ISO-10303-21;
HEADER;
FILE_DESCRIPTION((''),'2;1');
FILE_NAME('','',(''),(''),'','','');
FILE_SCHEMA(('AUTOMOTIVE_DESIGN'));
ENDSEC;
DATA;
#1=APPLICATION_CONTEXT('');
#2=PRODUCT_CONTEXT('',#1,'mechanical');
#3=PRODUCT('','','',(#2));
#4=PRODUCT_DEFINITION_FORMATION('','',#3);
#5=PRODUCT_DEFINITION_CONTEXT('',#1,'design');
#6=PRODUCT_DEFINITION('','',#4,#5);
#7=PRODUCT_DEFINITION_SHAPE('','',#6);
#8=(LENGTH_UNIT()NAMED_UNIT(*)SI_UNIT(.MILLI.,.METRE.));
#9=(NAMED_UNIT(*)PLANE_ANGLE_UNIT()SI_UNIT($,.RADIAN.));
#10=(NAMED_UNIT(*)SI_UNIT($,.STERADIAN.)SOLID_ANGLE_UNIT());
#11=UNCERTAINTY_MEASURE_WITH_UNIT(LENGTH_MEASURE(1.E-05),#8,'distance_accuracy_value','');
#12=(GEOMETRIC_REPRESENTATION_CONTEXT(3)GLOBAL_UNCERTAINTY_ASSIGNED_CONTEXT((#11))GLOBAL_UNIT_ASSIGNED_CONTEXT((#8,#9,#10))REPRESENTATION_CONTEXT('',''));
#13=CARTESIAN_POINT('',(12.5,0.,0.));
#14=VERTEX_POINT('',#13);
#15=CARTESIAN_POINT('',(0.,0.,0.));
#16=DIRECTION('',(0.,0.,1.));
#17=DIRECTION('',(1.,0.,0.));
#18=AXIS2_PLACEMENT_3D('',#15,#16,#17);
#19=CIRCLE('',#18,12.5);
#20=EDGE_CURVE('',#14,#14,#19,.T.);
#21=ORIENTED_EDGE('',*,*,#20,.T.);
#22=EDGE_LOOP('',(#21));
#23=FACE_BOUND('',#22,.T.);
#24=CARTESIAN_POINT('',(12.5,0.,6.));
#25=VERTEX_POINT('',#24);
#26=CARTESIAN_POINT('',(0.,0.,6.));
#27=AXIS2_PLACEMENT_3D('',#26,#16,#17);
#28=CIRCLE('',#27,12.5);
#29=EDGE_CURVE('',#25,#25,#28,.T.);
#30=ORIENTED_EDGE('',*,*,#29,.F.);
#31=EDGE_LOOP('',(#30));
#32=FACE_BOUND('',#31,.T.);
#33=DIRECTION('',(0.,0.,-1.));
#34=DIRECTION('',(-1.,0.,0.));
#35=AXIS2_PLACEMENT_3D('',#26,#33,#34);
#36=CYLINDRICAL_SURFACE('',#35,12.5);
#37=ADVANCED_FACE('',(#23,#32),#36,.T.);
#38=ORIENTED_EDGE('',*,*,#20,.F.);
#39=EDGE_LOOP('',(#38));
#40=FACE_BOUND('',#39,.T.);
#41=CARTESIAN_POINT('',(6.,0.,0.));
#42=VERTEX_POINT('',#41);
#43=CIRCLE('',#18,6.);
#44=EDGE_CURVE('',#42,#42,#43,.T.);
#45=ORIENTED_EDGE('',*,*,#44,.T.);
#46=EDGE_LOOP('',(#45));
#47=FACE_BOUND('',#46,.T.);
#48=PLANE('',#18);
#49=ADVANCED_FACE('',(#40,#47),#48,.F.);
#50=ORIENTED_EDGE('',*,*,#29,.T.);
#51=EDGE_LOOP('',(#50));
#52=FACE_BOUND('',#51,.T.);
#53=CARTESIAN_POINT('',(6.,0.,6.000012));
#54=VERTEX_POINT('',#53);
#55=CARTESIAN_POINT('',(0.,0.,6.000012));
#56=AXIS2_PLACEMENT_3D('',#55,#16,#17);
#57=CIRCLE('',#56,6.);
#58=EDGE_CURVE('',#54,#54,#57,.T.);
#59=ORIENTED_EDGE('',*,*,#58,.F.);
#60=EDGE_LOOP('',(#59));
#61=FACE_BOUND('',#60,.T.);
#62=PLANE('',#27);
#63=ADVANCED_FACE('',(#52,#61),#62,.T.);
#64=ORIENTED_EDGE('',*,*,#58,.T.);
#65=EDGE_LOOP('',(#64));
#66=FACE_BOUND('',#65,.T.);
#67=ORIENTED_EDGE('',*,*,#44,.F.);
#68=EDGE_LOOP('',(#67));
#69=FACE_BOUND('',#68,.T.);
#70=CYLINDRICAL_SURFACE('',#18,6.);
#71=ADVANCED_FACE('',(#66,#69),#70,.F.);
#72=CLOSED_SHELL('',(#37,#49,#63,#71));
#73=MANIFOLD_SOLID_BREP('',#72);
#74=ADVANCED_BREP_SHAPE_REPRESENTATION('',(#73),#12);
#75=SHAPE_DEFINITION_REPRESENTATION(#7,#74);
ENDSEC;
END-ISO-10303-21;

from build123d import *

# Parameters (mm, degrees)
SKETCH_1_R               = 12.5
EXTRUDE_1_DEPTH          = 6
CUT_EXTRUDE_1_DEPTH      = 19.668154703
CUT_EXTRUDE_1_DEPTH_BACK = 19.668154703
SKETCH_2_R               = 6


with BuildPart() as part:
    # 草图1 → 凸台-拉伸1 (new body)
    with BuildSketch(Plane.XY):
        Circle(SKETCH_1_R)
    extrude(amount=EXTRUDE_1_DEPTH)

    # 草图2 → 切除-拉伸1 (cut, two sides: drawn at the far end of the back side and taken through both)
    with BuildSketch(Plane.XY.offset(6).offset(-CUT_EXTRUDE_1_DEPTH_BACK)):
        Circle(SKETCH_2_R)
    extrude(amount=CUT_EXTRUDE_1_DEPTH + CUT_EXTRUDE_1_DEPTH_BACK, mode=Mode.SUBTRACT)


solid = part.part
